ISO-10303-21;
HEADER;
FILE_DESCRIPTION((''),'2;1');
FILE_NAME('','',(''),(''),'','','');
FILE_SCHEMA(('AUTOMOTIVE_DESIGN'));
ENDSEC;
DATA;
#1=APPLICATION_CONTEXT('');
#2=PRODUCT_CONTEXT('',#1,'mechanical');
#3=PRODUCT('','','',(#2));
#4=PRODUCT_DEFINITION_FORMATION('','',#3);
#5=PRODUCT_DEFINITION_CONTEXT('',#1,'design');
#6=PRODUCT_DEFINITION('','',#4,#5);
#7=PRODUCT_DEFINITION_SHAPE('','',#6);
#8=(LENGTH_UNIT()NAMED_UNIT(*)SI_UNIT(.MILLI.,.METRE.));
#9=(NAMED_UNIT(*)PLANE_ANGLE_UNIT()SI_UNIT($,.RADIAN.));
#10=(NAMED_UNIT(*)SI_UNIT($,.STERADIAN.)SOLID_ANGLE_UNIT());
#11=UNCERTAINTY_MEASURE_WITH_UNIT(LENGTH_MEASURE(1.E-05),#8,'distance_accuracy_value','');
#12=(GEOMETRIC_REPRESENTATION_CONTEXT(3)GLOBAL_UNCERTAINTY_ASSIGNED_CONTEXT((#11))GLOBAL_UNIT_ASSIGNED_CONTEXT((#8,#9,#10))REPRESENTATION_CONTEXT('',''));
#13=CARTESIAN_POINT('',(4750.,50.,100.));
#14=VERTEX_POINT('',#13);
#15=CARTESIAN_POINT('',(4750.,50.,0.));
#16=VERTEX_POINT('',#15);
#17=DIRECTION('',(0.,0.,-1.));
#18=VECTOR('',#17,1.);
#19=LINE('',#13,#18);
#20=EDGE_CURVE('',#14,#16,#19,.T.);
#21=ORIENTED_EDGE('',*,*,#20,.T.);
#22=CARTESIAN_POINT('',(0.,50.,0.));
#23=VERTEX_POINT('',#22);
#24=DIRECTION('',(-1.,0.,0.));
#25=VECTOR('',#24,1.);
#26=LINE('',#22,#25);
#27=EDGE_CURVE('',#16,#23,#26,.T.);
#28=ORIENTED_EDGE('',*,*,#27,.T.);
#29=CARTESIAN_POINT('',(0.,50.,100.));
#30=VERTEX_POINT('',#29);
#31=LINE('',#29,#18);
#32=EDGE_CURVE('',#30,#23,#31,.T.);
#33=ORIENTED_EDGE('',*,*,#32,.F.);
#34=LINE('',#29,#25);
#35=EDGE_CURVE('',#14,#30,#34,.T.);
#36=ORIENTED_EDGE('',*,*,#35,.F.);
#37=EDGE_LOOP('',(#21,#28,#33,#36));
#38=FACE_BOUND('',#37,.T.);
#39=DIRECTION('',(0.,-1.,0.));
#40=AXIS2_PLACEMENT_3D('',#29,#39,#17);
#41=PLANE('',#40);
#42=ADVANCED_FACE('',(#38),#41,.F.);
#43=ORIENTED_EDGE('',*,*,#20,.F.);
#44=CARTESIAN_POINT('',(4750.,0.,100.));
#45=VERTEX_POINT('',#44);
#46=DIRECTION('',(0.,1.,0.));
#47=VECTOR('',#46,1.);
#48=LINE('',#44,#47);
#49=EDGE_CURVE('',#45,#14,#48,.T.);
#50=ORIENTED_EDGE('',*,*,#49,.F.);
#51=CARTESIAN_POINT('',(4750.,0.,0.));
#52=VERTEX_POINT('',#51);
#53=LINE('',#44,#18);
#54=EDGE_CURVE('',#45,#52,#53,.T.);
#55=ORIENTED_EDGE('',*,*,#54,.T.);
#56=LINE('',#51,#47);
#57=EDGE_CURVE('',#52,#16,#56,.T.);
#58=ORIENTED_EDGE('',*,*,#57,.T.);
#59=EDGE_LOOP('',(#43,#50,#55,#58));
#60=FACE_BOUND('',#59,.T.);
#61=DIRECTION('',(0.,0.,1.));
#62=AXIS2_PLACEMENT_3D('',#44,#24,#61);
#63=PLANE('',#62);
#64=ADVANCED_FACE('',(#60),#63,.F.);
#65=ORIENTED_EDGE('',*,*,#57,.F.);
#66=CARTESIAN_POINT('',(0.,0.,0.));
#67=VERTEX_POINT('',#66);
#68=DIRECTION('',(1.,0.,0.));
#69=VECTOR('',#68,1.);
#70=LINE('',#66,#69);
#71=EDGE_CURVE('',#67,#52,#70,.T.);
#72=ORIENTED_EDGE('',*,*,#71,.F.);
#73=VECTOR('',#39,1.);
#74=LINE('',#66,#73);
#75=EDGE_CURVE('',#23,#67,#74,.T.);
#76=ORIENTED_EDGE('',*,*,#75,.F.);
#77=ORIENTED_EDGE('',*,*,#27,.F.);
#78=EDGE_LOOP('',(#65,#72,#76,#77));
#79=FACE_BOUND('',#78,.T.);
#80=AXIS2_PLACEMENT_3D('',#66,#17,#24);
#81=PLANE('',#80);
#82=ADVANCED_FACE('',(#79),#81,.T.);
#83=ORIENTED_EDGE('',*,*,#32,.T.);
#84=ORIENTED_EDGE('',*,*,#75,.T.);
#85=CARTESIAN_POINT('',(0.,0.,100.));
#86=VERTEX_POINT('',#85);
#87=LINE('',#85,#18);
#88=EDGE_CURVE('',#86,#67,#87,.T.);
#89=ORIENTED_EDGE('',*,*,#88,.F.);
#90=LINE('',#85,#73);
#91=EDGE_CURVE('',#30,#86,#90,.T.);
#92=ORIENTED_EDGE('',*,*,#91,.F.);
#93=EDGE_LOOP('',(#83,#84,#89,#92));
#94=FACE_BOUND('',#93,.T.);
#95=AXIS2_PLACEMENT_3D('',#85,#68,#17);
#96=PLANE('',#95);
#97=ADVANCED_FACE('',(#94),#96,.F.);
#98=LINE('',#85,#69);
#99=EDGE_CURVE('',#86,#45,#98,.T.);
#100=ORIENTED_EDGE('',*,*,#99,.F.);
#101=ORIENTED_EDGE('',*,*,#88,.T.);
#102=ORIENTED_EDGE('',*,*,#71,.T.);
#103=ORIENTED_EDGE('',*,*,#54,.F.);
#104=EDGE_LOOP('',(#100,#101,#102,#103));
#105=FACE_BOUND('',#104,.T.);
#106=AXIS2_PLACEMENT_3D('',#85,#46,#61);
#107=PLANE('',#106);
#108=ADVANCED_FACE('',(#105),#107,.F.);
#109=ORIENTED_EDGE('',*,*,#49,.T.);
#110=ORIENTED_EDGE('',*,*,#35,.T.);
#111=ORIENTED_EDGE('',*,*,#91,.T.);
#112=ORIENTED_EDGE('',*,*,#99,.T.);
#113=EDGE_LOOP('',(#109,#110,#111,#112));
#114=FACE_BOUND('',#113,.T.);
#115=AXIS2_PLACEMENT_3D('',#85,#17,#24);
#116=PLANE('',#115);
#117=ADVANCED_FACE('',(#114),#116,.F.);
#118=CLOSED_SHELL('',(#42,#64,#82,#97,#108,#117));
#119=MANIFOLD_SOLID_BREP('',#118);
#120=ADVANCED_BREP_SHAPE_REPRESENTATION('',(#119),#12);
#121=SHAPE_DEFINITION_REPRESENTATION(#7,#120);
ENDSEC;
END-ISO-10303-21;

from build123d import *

# Parameters (mm, degrees)
ESBO_O1_W                = 4750
ESBO_O1_H                = 50
RESSALTO_EXTRUS_O1_DEPTH = 100


with BuildPart() as part:
    # Esboço1 → Ressalto-extrusão1 (new body)
    with BuildSketch(Plane.XY):
        with Locations((2375, 25)):
            Rectangle(ESBO_O1_W, ESBO_O1_H)
    extrude(amount=RESSALTO_EXTRUS_O1_DEPTH)


solid = part.part
